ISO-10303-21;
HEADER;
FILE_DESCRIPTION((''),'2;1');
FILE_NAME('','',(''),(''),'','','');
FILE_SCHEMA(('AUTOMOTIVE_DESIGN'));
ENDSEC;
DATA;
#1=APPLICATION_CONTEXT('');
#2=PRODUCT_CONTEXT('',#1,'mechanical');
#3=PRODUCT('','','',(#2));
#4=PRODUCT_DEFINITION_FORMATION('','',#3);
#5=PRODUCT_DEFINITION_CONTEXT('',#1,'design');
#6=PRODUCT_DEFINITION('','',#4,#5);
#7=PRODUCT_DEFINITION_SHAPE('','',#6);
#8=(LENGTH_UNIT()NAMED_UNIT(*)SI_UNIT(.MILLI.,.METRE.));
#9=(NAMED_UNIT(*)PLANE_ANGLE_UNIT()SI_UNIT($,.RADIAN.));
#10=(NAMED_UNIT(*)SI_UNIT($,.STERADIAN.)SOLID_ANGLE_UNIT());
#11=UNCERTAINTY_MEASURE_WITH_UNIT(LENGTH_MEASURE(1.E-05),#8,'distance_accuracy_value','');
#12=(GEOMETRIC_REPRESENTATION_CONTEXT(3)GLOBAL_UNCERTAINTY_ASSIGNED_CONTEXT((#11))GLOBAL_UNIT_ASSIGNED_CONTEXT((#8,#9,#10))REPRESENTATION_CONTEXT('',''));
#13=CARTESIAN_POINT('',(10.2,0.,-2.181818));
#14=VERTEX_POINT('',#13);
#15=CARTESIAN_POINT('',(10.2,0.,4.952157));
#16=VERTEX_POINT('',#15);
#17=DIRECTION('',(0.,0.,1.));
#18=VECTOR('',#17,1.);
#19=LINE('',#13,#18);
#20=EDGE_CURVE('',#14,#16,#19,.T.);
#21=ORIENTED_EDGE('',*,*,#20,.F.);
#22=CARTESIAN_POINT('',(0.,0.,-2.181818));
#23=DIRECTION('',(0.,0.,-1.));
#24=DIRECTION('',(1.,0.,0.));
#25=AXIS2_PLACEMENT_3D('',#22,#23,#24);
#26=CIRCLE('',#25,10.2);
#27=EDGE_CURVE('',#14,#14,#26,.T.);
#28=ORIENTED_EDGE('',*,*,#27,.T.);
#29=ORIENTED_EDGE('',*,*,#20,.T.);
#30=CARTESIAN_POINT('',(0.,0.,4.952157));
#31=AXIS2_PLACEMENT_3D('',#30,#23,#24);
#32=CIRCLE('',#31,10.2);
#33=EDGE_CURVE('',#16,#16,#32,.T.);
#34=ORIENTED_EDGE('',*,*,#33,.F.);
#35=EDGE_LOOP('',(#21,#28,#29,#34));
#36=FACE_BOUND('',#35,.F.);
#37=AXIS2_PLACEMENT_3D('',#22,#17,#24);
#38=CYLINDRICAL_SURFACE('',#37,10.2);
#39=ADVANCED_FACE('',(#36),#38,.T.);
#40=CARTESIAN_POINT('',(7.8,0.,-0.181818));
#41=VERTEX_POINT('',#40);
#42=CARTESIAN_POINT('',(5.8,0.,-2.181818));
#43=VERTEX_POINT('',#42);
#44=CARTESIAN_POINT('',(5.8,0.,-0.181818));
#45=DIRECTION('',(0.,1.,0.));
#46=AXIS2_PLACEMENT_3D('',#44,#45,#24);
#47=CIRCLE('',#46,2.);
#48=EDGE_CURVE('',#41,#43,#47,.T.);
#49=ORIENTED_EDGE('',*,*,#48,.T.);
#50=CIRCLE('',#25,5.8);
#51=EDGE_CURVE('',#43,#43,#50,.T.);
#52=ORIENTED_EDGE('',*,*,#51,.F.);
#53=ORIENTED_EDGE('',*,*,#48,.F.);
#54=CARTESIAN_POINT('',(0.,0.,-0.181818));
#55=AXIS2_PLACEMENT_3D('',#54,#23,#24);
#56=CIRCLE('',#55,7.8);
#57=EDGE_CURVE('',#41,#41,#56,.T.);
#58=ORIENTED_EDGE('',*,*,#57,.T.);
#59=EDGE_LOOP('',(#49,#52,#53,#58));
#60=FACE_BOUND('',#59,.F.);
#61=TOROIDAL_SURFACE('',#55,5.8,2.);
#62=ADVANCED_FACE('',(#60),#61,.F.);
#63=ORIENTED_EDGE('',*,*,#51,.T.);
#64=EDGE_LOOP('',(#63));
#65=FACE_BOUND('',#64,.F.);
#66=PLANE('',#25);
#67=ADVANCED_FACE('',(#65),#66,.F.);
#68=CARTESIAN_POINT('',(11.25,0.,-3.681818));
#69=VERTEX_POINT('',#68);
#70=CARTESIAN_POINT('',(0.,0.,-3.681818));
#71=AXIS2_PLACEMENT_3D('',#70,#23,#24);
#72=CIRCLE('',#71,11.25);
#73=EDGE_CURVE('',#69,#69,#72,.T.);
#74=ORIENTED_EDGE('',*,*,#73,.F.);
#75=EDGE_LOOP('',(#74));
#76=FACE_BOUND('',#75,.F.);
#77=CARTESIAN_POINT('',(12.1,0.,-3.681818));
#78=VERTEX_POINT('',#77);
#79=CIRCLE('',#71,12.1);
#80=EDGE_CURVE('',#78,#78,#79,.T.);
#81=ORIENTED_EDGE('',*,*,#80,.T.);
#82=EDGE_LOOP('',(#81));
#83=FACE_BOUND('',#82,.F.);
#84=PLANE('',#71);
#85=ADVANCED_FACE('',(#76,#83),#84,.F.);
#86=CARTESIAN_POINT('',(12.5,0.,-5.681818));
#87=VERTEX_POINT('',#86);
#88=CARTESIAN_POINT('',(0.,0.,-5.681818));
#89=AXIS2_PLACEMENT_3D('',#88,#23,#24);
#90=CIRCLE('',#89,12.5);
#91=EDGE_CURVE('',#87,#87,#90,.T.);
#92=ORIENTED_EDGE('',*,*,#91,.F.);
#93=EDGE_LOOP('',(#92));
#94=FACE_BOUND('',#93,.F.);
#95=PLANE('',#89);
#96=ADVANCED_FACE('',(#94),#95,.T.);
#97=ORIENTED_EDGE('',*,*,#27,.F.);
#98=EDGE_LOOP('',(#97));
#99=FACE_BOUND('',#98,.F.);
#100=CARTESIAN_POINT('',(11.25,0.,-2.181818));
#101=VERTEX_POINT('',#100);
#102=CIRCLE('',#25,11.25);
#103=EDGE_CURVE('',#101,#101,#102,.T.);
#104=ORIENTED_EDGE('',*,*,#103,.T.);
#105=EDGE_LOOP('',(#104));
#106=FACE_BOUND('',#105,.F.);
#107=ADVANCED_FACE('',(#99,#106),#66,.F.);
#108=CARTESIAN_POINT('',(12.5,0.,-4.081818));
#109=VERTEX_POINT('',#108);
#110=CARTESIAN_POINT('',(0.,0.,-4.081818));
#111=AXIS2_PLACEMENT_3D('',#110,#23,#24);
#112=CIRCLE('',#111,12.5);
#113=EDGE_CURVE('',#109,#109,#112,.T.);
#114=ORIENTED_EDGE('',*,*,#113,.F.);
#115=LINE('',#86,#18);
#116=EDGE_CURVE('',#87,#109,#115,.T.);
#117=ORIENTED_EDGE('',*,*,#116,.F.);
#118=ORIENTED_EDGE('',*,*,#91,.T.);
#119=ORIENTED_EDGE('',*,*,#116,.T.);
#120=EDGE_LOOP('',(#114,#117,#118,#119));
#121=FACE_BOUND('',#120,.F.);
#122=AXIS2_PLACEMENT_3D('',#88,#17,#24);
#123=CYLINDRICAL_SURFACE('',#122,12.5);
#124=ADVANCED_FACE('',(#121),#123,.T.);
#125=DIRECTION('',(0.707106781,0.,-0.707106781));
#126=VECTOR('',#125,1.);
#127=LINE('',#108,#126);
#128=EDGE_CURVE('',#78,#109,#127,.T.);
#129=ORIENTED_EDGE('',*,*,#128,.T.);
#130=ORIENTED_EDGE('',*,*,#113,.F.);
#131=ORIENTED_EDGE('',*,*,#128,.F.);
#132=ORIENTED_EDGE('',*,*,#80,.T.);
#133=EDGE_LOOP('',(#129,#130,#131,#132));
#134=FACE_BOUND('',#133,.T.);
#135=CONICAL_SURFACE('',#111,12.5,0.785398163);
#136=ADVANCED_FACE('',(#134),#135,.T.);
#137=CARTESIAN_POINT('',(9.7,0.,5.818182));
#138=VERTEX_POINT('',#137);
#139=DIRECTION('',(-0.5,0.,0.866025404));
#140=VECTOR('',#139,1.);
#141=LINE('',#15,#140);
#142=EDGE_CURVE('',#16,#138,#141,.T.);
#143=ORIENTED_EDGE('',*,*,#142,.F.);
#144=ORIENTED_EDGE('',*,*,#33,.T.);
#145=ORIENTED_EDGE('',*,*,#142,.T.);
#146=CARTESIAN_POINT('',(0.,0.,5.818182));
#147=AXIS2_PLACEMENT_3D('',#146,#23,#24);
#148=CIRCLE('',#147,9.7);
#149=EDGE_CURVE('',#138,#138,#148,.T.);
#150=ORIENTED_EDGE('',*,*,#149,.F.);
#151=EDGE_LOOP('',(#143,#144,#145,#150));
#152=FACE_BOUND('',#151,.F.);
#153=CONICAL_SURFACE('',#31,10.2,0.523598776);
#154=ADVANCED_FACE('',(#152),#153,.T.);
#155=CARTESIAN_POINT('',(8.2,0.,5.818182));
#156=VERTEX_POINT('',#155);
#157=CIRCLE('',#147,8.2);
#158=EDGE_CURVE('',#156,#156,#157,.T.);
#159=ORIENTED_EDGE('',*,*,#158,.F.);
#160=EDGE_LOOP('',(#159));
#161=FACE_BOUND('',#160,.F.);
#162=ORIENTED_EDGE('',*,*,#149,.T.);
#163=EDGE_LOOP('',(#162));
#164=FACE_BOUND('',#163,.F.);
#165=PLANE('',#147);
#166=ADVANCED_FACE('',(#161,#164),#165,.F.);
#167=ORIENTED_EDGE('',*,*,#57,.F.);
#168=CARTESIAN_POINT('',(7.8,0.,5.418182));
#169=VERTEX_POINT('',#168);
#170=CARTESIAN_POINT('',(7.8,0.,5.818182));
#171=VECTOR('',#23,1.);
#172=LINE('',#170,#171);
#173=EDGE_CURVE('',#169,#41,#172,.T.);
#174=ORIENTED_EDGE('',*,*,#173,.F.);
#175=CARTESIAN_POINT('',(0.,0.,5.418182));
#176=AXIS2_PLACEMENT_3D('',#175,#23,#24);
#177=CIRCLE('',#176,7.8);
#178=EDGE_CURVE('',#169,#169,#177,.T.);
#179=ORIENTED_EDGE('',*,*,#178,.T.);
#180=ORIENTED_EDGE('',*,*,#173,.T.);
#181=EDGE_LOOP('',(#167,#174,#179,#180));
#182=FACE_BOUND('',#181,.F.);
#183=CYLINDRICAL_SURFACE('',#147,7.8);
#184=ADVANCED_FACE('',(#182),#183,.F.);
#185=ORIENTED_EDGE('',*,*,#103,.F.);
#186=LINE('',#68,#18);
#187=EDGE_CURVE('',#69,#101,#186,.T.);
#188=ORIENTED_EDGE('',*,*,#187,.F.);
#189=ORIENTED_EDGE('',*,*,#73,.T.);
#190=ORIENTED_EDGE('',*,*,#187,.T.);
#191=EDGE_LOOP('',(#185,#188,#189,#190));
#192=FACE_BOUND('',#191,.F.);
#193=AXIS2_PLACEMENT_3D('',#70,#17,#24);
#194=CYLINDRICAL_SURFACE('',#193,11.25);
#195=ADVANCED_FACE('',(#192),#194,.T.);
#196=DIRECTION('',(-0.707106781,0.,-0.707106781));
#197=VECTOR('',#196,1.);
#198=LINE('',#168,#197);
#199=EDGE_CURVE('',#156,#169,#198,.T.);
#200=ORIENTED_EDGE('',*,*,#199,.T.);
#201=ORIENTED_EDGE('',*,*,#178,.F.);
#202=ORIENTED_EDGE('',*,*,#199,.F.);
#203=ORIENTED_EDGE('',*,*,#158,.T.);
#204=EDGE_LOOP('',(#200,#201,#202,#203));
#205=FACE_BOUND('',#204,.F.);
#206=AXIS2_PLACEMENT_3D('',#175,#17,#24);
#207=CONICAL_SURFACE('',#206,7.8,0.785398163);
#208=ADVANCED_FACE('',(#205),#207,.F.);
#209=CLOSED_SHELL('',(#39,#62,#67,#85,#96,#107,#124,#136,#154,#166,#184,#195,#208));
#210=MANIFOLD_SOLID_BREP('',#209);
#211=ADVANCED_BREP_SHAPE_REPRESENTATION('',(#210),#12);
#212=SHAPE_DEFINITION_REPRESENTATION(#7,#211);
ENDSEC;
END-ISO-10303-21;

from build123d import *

# Parameters (mm, degrees)
F2_R     = 2
F3_SIZE  = 0.4
F4_SIZE2 = 0.5
F4_SIZE  = 0.8660254038
F5_SIZE  = 0.4


with BuildPart() as f1:
    # F0 (on Front) → F1 (revolve)
    with BuildSketch(Plane.XZ):
        Polygon((10.2, 5.8181819119), (7.8, 5.8181819119), (7.8, -2.1818180881), (0, -2.1818180881), (0, -5.6818180881), (12.5, -5.6818180881), (12.5, -3.6818180881), (11.25, -3.6818180881), (11.25, -2.1818180881), (10.2, -2.1818180881), align=None)
    revolve(axis=Axis((0, 0, 1.239669376), (0, 0, -1)))

    # F2
    f2_edges = [f1.edges().sort_by_distance(p)[0] for p in [
        (-7.8, 0, -2.181818),
    ]]
    fillet(f2_edges, radius=F2_R)

    # F3
    f3_edges = [f1.edges().sort_by_distance(p)[0] for p in [
        (-12.5, 0, -3.681818),
    ]]
    chamfer(f3_edges, length=F3_SIZE)

    # F4
    f4_edges = [f1.edges().sort_by_distance(p)[0] for p in [
        (-10.2, 0, 5.818182),
    ]]
    f4_side = f1.faces().sort_by_distance((-10.2, 0, 1.818182))[0]
    chamfer(f4_edges, length=F4_SIZE, length2=F4_SIZE2, reference=f4_side)

    # F5
    f5_edges = [f1.edges().sort_by_distance(p)[0] for p in [
        (-7.8, 0, 5.818182),
    ]]
    chamfer(f5_edges, length=F5_SIZE)


solid = f1.part
